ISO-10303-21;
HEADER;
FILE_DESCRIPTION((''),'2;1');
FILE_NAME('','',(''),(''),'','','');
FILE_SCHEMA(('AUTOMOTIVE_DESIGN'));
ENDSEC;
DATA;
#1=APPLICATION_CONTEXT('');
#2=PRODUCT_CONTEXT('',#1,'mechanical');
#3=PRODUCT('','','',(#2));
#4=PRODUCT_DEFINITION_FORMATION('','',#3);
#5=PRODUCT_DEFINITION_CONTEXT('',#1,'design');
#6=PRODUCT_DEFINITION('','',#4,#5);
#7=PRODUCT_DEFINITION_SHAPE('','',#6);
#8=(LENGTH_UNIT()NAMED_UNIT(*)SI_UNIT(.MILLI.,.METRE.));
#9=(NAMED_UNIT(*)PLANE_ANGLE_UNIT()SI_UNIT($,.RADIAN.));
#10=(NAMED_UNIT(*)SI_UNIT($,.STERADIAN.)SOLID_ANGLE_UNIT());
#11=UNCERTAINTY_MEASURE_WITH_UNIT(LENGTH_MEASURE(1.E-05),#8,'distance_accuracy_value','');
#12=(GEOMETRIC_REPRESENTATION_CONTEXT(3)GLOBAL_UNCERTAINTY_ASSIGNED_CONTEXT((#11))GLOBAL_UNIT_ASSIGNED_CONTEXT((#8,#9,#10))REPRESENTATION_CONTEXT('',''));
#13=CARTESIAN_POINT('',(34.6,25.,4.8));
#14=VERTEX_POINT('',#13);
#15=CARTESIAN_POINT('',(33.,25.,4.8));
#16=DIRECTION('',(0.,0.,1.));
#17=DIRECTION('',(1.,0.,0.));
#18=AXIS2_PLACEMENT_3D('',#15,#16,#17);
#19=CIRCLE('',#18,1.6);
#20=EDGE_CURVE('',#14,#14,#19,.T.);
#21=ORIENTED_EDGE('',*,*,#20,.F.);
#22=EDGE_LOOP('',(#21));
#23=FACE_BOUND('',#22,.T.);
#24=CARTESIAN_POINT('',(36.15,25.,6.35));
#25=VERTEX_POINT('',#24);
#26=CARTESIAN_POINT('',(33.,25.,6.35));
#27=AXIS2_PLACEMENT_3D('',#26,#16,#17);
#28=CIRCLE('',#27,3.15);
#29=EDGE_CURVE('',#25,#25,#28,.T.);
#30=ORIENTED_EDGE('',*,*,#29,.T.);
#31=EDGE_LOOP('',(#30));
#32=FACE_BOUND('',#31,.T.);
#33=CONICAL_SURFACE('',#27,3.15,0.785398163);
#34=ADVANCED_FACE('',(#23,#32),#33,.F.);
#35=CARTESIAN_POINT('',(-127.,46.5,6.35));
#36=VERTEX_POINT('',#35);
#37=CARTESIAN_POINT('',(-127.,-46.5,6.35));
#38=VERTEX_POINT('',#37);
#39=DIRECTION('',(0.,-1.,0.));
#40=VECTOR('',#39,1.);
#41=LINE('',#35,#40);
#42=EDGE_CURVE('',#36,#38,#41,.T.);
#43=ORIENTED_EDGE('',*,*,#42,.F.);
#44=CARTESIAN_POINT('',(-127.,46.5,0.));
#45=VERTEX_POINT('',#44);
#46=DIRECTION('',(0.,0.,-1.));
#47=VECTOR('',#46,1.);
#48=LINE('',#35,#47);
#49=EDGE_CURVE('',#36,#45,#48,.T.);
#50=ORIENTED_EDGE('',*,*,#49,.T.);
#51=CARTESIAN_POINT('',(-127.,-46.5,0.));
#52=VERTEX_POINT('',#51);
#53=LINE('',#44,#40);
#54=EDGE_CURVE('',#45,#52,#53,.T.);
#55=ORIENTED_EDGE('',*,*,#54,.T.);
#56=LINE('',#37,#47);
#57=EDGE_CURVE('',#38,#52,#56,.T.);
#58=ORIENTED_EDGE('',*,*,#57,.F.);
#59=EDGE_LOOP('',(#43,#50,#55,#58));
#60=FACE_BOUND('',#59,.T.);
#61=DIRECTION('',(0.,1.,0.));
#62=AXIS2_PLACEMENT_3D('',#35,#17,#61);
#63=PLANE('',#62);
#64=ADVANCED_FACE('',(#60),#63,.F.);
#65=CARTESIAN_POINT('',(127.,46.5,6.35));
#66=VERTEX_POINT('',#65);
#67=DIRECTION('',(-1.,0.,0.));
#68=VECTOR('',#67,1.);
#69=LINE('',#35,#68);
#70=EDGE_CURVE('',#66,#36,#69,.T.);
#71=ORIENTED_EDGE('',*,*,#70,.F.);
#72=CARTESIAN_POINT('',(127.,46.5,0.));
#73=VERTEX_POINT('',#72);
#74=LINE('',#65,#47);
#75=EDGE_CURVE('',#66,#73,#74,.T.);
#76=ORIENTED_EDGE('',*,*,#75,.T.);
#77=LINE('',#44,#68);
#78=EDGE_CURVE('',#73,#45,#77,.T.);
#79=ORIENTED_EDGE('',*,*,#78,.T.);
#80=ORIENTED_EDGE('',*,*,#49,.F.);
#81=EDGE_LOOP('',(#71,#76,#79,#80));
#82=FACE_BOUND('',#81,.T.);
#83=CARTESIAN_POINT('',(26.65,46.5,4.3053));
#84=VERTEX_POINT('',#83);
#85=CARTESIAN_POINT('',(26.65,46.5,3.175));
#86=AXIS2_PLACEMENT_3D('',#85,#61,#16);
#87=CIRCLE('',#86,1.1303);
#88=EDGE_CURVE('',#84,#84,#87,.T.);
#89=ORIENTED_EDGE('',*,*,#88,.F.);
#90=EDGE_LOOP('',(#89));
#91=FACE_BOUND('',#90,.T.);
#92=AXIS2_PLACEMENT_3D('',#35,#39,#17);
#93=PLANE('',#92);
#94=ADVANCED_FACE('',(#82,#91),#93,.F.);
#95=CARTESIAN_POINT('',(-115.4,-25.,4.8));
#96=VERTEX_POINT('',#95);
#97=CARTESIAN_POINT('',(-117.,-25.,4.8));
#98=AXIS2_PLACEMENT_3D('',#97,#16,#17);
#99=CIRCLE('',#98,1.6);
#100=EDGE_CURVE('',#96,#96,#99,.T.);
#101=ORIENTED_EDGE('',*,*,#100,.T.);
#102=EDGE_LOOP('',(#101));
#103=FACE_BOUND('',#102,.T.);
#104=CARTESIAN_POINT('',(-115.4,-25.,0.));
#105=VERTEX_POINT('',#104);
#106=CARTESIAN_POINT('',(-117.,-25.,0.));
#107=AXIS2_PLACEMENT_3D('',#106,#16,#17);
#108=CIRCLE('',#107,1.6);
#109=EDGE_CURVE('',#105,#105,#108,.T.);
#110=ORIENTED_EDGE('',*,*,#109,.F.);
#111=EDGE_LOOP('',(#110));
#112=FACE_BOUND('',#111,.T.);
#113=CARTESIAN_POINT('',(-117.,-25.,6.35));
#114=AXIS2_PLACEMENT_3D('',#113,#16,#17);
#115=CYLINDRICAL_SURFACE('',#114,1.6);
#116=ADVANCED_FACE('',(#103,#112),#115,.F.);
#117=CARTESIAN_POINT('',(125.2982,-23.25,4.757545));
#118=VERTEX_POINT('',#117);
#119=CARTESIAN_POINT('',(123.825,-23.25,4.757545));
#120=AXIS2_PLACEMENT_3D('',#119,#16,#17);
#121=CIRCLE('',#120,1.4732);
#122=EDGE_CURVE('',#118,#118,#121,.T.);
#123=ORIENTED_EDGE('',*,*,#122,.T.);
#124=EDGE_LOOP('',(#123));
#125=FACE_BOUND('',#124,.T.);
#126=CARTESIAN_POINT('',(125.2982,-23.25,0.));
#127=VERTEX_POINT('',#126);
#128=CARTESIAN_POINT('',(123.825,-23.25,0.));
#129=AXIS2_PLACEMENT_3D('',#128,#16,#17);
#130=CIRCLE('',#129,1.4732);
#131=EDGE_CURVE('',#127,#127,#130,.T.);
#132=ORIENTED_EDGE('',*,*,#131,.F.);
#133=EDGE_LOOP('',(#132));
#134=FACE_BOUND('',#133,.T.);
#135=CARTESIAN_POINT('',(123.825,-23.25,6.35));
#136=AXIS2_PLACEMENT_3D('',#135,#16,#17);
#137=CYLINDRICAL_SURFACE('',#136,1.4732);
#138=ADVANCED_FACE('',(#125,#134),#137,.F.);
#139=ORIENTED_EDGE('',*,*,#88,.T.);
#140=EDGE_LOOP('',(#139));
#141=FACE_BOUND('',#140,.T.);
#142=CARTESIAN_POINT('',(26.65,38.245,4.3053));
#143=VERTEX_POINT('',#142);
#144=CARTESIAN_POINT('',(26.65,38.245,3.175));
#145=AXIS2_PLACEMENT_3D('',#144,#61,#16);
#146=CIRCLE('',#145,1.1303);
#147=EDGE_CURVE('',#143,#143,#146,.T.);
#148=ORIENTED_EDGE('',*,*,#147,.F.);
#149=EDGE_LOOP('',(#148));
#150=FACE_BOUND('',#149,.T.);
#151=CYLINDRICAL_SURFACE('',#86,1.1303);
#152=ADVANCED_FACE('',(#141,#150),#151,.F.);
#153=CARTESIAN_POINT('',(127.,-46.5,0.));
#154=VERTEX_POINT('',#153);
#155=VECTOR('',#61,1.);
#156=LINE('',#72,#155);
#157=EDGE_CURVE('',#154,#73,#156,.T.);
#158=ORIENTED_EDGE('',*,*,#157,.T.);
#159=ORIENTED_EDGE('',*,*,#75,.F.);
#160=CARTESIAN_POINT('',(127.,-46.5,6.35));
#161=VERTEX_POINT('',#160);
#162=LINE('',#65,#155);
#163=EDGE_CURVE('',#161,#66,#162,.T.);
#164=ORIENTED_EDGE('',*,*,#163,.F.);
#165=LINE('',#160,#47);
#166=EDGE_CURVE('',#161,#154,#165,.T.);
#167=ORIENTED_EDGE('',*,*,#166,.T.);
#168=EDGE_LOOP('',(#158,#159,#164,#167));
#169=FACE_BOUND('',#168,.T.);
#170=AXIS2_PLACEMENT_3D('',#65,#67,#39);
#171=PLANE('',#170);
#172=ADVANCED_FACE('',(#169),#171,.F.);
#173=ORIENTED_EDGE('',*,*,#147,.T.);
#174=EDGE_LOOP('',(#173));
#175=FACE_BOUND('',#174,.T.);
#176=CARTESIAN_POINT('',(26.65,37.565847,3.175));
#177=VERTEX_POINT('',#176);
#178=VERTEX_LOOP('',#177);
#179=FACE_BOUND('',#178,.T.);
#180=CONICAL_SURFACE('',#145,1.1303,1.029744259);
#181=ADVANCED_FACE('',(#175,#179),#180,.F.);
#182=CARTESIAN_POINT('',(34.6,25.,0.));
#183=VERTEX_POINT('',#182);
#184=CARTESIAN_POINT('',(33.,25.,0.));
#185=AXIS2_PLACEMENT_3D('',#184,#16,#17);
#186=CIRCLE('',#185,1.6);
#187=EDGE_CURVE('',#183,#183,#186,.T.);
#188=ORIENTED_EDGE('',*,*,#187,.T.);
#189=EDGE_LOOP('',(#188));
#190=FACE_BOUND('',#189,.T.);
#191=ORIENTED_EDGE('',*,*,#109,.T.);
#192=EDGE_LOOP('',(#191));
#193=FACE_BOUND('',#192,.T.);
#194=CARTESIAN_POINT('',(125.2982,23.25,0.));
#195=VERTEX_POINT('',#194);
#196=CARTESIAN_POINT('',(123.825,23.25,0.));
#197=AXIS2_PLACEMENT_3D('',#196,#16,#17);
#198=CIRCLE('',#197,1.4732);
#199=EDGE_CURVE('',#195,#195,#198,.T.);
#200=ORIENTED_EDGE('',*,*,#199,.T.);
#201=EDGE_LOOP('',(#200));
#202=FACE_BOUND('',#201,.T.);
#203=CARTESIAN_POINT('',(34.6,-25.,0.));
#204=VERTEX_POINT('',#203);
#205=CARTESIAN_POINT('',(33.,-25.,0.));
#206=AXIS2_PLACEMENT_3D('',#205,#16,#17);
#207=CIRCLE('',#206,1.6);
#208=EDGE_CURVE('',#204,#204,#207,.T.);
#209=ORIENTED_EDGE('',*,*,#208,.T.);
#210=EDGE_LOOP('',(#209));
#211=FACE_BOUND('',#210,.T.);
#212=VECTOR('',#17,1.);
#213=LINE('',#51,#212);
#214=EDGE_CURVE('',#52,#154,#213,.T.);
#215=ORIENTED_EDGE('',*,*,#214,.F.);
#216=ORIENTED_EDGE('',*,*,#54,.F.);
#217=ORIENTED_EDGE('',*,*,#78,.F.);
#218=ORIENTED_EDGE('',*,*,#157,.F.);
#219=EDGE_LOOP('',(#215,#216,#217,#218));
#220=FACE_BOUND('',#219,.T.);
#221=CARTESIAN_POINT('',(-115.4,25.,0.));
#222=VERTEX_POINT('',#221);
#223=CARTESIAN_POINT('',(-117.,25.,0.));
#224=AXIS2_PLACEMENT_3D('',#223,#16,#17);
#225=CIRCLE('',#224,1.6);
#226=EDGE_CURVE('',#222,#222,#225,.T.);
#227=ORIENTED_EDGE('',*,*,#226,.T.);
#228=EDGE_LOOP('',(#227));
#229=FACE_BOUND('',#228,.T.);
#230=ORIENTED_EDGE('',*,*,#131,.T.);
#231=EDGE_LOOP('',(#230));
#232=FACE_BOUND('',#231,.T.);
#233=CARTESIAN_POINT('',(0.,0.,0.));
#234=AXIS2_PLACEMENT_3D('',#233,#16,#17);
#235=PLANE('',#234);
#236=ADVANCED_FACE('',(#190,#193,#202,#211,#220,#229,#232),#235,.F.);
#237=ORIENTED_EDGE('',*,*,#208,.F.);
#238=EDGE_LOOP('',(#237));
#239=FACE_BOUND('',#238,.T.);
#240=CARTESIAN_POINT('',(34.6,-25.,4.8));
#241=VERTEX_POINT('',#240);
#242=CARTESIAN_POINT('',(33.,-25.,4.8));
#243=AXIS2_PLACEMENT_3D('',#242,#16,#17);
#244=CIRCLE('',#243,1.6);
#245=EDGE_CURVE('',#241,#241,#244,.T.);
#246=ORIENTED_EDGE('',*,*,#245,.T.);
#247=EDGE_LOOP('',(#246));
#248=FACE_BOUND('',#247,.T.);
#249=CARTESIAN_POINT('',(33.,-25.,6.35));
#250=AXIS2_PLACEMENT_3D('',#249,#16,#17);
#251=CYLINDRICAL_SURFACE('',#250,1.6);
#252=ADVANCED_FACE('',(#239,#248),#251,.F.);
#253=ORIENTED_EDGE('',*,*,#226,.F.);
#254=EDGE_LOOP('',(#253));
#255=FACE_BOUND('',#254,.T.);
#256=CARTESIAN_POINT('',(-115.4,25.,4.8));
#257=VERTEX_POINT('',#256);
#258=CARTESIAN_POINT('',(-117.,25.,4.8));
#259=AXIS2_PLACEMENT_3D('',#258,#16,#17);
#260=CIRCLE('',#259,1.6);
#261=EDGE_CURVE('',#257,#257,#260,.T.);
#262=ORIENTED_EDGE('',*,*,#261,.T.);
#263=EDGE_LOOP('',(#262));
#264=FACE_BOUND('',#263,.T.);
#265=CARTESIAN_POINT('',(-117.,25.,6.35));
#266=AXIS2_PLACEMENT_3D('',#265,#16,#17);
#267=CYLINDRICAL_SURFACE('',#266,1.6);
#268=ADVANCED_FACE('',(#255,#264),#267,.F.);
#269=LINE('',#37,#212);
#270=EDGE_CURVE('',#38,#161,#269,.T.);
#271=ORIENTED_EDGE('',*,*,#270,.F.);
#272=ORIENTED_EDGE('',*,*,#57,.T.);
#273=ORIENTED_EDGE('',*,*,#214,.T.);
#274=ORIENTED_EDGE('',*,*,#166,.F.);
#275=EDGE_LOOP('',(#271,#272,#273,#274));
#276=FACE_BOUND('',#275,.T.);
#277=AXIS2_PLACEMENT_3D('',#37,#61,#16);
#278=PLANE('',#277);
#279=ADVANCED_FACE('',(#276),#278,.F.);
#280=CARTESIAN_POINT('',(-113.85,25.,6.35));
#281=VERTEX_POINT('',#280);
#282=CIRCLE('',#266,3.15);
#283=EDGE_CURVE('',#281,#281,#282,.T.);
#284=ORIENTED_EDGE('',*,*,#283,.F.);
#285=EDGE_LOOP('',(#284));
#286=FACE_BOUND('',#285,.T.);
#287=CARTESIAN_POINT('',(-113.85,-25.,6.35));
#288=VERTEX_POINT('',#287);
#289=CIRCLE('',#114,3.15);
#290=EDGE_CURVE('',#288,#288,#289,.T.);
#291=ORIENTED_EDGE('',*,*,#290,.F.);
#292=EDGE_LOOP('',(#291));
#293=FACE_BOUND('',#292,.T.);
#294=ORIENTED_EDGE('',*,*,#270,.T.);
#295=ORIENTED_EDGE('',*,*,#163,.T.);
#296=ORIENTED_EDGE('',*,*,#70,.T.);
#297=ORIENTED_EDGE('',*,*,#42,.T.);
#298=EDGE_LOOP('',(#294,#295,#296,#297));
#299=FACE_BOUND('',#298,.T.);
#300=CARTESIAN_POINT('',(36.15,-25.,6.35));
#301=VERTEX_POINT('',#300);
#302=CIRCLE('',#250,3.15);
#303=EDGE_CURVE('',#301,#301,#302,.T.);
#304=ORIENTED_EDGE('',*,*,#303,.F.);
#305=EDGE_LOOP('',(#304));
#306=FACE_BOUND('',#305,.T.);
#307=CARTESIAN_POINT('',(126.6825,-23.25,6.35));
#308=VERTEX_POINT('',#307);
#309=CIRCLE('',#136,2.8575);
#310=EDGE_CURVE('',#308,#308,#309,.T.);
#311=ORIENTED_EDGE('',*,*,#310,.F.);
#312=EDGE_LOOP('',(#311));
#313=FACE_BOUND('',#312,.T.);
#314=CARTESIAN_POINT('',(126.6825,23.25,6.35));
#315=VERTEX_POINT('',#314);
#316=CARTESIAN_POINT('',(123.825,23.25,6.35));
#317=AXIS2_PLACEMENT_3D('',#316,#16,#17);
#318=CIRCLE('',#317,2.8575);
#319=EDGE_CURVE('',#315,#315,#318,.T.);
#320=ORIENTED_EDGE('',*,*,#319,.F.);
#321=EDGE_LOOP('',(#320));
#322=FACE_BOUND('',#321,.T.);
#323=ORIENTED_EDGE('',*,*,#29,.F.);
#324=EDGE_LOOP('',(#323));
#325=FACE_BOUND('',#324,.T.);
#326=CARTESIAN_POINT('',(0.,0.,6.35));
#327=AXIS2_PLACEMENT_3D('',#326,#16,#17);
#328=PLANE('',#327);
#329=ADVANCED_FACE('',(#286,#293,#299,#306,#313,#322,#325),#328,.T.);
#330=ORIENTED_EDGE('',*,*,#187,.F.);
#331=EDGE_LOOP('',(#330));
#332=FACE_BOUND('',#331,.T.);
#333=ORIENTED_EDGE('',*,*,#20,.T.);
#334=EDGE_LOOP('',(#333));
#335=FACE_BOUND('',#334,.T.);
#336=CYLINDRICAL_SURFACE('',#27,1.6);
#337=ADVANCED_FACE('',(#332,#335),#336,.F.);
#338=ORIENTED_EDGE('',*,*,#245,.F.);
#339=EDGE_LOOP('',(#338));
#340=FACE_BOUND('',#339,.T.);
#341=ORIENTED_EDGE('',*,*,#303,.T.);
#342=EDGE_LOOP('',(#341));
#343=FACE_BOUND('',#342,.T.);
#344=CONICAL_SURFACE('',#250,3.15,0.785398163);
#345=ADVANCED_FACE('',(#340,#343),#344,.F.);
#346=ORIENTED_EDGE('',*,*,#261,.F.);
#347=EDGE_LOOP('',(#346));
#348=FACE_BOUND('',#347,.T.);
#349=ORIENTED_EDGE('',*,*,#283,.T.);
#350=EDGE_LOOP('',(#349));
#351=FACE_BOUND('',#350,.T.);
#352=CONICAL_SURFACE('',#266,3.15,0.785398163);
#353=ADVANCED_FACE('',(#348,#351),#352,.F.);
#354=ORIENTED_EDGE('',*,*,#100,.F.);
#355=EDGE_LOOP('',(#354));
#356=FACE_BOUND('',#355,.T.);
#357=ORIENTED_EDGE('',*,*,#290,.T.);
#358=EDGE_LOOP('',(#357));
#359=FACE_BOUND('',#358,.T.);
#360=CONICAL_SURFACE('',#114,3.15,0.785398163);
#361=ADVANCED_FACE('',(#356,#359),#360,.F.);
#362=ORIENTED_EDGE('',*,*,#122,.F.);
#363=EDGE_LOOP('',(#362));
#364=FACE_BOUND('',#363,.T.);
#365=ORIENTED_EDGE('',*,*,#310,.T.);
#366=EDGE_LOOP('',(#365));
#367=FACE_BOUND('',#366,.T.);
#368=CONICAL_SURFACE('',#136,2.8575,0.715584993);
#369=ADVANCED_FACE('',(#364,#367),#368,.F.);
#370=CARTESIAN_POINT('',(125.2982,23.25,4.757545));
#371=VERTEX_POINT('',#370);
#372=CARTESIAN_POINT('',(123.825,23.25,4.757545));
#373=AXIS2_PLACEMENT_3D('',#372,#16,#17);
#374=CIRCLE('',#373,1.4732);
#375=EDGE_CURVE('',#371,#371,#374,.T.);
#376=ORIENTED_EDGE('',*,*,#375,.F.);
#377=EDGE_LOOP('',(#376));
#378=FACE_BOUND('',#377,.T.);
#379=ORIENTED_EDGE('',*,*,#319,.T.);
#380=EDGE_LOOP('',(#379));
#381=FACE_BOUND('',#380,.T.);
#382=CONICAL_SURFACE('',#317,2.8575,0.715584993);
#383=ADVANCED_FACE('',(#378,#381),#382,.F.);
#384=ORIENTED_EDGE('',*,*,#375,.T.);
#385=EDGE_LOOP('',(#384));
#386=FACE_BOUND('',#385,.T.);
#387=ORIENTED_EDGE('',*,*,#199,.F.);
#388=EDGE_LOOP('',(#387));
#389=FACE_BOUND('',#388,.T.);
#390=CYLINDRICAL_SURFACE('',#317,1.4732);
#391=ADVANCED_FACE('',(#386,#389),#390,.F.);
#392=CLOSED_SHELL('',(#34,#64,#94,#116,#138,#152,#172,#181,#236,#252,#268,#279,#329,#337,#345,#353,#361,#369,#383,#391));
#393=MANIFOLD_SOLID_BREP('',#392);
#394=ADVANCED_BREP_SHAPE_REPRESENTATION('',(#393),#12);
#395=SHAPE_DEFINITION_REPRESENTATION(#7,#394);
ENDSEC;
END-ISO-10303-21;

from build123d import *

# Parameters (mm, degrees)
SKETCH1_W                                       = 254
SKETCH1_H                                       = 93
BOSS_EXTRUDE1_DEPTH                             = 6.35
CSK_FOR_4_FLAT_HEAD_MACHINE_SCREW1_D            = 2.9464
CSK_FOR_4_FLAT_HEAD_MACHINE_SCREW1_CSINK_D      = 5.715
CSK_FOR_4_FLAT_HEAD_MACHINE_SCREW1_CSINK_ANGLE  = 82
CSK_FOR_M3_FLAT_HEAD_MACHINE_SCREW1_D           = 3.2
CSK_FOR_M3_FLAT_HEAD_MACHINE_SCREW1_CSINK_D     = 6.3
CSK_FOR_M3_FLAT_HEAD_MACHINE_SCREW1_CSINK_ANGLE = 90
F_4_40_TAPPED_HOLE1_D                           = 2.2606
F_4_40_TAPPED_HOLE1_DEPTH                       = 8.255
F_4_40_TAPPED_HOLE1_TIP                         = 0.679152758


with BuildPart() as part:
    # Sketch1 → Boss-Extrude1 (new body)
    with BuildSketch(Plane.XY):
        Rectangle(SKETCH1_W, SKETCH1_H)
    extrude(amount=BOSS_EXTRUDE1_DEPTH)

    # CSK for #4 Flat Head Machine Screw1 (through all)
    with Locations(Plane.XY.offset(6.35)):
        with Locations((123.825, 23.249999946), (123.825, -23.250000018)):
            CounterSinkHole(CSK_FOR_4_FLAT_HEAD_MACHINE_SCREW1_D / 2, CSK_FOR_4_FLAT_HEAD_MACHINE_SCREW1_CSINK_D / 2, counter_sink_angle=CSK_FOR_4_FLAT_HEAD_MACHINE_SCREW1_CSINK_ANGLE)

    # CSK for M3 Flat Head Machine Screw1 (through all)
    with Locations(Plane.XY.offset(6.35)):
        with Locations((-117, 25), (-117, -25), (33, -25), (33, 25)):
            CounterSinkHole(CSK_FOR_M3_FLAT_HEAD_MACHINE_SCREW1_D / 2, CSK_FOR_M3_FLAT_HEAD_MACHINE_SCREW1_CSINK_D / 2, counter_sink_angle=CSK_FOR_M3_FLAT_HEAD_MACHINE_SCREW1_CSINK_ANGLE)

    # #4-40 Tapped Hole1
    with Locations(Plane(origin=(0, 46.5, 0), x_dir=(1, 0, 0), z_dir=(0, 1, 0))):
        with Locations((26.65, -3.175)):
            Hole(F_4_40_TAPPED_HOLE1_D / 2, depth=F_4_40_TAPPED_HOLE1_DEPTH)
            with Locations((0, 0, -(F_4_40_TAPPED_HOLE1_DEPTH + F_4_40_TAPPED_HOLE1_TIP / 2))):  # 118° drill point
                Cone(0, F_4_40_TAPPED_HOLE1_D / 2, F_4_40_TAPPED_HOLE1_TIP, mode=Mode.SUBTRACT)


solid = part.part
